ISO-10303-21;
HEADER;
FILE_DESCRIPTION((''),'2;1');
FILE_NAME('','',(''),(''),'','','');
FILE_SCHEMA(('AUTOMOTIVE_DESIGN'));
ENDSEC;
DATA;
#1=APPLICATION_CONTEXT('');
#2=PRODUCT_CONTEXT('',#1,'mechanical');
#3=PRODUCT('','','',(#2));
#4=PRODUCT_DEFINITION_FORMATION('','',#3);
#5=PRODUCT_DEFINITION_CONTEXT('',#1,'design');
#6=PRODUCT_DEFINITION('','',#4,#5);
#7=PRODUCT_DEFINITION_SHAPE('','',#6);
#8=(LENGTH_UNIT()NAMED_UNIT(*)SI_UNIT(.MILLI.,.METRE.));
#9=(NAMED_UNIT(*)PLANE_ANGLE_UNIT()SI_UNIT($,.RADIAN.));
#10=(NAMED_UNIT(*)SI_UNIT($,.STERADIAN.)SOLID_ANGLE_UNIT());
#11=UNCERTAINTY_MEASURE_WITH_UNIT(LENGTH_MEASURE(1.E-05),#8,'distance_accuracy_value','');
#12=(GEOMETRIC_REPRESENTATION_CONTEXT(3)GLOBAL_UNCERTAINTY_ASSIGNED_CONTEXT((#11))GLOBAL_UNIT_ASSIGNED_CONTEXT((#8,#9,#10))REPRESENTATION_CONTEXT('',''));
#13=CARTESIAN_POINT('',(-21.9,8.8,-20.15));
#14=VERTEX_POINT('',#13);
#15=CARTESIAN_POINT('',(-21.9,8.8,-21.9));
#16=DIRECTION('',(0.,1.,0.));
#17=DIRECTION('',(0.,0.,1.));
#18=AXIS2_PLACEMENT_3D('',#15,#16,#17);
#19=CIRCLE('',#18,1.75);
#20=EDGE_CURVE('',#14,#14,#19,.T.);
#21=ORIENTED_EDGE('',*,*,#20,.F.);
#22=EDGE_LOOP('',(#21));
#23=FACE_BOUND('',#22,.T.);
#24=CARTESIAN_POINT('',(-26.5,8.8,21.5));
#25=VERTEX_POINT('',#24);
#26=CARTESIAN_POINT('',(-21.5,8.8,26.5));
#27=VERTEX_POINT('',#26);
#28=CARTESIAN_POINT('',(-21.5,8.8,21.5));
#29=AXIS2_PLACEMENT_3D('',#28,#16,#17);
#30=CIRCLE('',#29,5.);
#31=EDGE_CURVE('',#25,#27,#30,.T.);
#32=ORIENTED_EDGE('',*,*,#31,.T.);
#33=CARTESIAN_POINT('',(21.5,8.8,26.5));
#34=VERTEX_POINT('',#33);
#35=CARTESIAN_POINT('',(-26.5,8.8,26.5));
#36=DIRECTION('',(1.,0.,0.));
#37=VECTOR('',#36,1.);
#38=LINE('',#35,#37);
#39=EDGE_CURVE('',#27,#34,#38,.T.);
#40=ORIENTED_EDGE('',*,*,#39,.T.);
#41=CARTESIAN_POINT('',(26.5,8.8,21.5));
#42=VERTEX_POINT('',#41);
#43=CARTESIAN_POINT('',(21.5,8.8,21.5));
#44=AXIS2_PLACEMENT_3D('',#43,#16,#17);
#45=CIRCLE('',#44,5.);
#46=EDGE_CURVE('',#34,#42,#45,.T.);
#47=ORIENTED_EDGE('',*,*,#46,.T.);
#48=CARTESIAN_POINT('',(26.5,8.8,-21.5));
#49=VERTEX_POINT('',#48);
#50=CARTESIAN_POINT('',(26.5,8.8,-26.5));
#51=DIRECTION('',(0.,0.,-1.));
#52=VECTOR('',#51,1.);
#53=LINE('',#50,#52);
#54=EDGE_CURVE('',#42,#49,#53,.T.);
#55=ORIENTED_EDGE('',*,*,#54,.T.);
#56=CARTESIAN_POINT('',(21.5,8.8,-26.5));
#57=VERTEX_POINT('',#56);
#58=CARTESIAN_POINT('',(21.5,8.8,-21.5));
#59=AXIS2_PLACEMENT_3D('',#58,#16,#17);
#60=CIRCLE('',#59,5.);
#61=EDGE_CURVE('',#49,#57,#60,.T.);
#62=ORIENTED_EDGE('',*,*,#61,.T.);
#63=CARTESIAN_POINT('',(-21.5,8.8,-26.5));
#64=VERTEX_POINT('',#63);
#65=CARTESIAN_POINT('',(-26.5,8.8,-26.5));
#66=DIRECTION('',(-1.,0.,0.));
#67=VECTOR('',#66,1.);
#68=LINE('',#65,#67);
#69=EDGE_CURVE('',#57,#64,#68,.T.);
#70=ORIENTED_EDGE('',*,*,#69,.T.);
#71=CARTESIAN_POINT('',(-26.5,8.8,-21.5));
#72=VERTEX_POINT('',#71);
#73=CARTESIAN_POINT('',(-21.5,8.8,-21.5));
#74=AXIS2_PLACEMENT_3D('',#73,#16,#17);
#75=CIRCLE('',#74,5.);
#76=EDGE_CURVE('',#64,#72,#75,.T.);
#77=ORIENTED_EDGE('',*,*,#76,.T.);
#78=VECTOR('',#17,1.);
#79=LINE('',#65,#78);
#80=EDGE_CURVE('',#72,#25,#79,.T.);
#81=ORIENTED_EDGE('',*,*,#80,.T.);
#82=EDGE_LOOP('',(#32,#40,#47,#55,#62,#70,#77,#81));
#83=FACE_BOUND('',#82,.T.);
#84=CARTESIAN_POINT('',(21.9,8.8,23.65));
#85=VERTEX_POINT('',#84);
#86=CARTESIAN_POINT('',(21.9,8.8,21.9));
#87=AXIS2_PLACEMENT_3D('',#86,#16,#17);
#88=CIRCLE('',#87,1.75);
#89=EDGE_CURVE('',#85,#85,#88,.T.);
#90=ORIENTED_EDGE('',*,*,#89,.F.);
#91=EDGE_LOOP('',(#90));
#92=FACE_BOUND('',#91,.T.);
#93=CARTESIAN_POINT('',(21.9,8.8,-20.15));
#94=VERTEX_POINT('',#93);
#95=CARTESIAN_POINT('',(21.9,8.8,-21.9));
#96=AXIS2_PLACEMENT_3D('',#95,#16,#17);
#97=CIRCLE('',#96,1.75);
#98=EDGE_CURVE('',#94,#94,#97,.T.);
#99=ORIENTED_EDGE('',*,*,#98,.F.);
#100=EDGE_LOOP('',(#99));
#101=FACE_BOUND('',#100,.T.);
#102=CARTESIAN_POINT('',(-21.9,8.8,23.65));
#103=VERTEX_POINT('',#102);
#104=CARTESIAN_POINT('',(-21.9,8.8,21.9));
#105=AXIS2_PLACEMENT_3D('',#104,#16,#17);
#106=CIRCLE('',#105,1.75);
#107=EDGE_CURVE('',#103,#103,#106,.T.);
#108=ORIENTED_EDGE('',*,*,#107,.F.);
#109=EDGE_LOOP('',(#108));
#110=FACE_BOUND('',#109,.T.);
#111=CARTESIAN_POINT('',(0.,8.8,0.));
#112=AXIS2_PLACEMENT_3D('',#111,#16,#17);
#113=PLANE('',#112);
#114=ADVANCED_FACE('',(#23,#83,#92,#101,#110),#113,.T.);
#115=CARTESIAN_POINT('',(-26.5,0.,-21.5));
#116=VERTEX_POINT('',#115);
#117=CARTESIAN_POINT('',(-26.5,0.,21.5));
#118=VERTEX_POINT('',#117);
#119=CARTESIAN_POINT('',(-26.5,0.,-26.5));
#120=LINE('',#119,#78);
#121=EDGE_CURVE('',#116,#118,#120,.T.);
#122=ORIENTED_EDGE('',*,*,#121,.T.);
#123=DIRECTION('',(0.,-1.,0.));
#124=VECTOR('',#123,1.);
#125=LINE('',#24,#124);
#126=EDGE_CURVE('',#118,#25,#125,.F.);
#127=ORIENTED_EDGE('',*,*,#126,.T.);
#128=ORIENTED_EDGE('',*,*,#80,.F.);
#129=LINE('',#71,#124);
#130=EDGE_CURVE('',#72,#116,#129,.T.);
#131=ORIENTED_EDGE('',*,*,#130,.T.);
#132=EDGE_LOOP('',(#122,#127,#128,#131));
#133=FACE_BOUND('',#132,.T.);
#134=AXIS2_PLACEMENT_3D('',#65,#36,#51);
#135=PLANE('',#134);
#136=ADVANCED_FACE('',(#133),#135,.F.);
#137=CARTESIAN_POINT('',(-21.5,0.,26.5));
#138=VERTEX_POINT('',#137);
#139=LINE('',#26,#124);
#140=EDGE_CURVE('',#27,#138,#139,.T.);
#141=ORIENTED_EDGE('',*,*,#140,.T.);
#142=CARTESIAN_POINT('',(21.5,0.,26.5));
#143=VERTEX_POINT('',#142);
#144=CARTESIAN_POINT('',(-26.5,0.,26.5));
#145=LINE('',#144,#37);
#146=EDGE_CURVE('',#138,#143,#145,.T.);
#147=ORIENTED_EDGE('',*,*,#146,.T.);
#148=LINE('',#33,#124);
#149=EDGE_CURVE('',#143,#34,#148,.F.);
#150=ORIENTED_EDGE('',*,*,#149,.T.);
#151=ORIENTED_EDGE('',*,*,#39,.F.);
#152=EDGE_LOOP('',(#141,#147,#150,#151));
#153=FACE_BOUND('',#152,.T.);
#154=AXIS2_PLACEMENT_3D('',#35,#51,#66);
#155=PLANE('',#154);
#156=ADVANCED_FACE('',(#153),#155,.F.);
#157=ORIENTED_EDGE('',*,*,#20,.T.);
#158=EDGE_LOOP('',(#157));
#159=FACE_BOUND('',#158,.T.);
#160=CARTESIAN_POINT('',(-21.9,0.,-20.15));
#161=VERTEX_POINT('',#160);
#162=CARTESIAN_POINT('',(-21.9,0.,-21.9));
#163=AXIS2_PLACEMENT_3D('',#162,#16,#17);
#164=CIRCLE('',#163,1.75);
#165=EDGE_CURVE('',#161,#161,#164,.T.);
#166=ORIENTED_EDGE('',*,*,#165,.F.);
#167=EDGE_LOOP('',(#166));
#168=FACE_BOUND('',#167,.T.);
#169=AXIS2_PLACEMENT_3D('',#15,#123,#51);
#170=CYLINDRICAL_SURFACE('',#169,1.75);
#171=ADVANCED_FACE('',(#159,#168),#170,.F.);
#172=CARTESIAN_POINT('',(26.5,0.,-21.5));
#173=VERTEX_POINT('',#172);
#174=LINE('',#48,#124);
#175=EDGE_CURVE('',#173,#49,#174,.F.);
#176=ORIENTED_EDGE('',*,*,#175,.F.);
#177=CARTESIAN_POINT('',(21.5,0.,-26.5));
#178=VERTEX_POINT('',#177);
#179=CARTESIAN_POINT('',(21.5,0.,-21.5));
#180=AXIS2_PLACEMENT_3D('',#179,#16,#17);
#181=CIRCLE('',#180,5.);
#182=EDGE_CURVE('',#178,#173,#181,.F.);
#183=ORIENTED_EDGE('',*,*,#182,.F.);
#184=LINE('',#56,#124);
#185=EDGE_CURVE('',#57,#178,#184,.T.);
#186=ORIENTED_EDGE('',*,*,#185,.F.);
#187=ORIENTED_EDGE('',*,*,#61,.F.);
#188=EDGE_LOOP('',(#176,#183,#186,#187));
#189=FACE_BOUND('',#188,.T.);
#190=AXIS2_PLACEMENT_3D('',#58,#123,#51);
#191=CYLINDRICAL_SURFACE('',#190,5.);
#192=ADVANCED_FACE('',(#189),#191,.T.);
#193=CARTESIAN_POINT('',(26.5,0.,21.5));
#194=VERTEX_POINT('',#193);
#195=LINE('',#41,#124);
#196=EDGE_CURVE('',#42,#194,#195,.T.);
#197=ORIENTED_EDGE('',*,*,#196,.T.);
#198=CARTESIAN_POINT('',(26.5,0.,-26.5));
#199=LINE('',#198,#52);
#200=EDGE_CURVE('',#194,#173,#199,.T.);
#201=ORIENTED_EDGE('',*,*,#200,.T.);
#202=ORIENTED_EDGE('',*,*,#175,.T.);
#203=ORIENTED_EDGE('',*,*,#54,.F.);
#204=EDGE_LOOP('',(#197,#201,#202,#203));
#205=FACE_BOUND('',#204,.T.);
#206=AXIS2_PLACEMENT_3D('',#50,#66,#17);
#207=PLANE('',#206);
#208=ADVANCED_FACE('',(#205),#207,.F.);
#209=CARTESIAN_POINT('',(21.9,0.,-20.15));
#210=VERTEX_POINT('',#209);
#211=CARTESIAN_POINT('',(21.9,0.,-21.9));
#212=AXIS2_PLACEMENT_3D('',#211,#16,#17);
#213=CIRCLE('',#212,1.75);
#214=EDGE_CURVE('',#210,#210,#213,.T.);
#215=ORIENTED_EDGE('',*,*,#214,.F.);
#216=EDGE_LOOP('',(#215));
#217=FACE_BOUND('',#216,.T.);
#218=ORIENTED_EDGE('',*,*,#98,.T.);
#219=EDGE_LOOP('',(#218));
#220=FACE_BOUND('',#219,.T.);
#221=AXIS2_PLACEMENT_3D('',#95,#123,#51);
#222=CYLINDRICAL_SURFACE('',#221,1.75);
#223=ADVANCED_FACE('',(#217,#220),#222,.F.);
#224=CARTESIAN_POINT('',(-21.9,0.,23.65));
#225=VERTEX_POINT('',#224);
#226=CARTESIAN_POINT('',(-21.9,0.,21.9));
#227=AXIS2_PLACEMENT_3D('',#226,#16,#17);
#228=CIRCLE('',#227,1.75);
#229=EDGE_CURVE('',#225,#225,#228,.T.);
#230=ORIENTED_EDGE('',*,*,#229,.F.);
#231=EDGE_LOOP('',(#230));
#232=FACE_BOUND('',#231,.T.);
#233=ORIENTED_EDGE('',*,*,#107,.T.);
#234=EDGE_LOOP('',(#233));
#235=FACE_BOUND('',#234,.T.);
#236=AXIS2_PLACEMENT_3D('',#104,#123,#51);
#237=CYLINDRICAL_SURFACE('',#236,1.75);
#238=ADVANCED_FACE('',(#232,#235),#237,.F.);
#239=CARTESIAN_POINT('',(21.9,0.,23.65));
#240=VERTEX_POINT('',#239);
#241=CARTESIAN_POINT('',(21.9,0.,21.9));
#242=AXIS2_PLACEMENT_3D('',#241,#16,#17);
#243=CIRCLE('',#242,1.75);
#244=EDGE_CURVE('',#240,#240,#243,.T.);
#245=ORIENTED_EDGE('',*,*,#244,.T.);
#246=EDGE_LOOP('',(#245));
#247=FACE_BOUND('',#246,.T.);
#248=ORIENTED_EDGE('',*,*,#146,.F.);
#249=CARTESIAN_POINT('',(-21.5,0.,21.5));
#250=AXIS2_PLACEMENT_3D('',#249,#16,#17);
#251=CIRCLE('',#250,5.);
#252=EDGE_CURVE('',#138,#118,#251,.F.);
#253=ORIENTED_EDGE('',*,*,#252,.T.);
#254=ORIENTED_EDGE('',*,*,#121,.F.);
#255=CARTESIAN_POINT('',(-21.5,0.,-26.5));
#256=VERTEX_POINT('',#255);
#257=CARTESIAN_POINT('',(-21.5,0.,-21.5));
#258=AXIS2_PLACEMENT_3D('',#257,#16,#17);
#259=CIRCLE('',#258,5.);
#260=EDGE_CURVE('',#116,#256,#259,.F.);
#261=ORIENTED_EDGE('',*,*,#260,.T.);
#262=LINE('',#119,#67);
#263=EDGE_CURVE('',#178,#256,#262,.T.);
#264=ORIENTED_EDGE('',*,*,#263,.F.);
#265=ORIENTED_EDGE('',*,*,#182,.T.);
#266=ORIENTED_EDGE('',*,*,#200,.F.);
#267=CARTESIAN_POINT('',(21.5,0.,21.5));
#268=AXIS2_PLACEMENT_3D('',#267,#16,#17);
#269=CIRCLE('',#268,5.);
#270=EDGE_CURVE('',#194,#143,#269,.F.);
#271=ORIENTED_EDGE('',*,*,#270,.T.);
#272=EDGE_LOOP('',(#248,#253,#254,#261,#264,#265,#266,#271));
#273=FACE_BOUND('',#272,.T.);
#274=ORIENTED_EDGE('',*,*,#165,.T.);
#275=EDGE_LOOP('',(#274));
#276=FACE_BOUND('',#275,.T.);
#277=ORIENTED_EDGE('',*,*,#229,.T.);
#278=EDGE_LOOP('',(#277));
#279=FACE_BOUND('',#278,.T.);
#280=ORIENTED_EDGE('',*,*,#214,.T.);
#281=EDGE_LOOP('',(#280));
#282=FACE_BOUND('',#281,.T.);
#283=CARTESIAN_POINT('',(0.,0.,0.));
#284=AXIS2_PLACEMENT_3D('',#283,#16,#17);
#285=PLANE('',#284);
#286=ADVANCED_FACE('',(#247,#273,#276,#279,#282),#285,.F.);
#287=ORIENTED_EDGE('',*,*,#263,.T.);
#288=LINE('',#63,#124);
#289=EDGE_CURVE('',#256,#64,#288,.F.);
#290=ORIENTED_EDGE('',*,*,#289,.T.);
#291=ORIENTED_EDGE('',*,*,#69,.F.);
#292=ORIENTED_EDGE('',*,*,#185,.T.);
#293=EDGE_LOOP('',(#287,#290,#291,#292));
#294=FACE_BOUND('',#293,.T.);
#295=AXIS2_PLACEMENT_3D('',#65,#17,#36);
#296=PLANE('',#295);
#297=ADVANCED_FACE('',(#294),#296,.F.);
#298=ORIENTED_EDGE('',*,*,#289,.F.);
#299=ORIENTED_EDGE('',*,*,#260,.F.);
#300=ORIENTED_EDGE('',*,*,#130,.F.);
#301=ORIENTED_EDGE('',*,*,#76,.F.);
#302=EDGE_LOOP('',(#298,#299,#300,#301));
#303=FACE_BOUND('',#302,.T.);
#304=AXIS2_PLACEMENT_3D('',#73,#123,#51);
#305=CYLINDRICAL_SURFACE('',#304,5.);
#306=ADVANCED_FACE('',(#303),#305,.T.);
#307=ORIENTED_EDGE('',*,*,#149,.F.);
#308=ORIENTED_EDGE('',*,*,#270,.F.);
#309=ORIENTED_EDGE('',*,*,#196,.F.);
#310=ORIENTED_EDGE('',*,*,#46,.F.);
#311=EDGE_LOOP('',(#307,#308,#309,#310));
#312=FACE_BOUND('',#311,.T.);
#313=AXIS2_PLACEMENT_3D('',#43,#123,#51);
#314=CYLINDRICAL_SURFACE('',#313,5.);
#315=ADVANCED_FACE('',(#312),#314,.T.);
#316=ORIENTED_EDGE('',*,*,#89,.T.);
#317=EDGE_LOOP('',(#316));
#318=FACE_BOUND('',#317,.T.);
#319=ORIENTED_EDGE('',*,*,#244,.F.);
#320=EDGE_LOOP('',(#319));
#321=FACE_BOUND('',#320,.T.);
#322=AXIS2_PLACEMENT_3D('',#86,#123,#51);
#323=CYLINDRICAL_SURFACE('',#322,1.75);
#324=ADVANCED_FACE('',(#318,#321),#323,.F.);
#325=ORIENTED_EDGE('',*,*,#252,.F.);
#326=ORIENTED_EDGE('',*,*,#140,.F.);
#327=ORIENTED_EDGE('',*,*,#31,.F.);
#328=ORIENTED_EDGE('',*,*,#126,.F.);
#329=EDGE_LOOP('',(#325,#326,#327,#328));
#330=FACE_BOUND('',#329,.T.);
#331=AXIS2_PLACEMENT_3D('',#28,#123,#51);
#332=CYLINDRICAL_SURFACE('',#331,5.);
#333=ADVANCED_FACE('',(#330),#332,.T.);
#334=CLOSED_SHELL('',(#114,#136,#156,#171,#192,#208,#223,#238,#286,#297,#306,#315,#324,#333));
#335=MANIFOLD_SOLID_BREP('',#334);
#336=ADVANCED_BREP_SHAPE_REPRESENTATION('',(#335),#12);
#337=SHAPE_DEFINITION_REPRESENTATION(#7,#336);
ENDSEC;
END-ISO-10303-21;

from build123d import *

# Parameters (mm, degrees)
SKETCH1_W           = 53
SKETCH1_H           = 53
SKETCH1_R           = 1.75
BOSS_EXTRUDE1_DEPTH = 8.8
FILLET1_R           = 5


with BuildPart() as part:
    # Sketch1 → Boss-Extrude1 (new body)
    with BuildSketch(Plane(origin=(0, 0, 0), x_dir=(1, 0, 0), z_dir=(0, 1, 0))):
        Rectangle(SKETCH1_W, SKETCH1_H)
        with Locations(Location((-21.9, 21.9, 0), (0, 0, 270))):
            Circle(SKETCH1_R, mode=Mode.SUBTRACT)
        with Locations(Location((21.9, 21.9, 0), (0, 0, 270))):
            Circle(SKETCH1_R, mode=Mode.SUBTRACT)
        with Locations(Location((21.9, -21.9, 0), (0, 0, 270))):
            Circle(SKETCH1_R, mode=Mode.SUBTRACT)
        with Locations(Location((-21.9, -21.9, 0), (0, 0, 270))):
            Circle(SKETCH1_R, mode=Mode.SUBTRACT)
    extrude(amount=BOSS_EXTRUDE1_DEPTH)

    # Fillet1
    fillet1_edges = [part.edges().sort_by_distance(p)[0] for p in [
        (26.5, 4.4, 26.5),
        (-26.5, 4.4, 26.5),
        (-26.5, 4.4, -26.5),
        (26.5, 4.4, -26.5),
    ]]
    fillet(fillet1_edges, radius=FILLET1_R)


solid = part.part
